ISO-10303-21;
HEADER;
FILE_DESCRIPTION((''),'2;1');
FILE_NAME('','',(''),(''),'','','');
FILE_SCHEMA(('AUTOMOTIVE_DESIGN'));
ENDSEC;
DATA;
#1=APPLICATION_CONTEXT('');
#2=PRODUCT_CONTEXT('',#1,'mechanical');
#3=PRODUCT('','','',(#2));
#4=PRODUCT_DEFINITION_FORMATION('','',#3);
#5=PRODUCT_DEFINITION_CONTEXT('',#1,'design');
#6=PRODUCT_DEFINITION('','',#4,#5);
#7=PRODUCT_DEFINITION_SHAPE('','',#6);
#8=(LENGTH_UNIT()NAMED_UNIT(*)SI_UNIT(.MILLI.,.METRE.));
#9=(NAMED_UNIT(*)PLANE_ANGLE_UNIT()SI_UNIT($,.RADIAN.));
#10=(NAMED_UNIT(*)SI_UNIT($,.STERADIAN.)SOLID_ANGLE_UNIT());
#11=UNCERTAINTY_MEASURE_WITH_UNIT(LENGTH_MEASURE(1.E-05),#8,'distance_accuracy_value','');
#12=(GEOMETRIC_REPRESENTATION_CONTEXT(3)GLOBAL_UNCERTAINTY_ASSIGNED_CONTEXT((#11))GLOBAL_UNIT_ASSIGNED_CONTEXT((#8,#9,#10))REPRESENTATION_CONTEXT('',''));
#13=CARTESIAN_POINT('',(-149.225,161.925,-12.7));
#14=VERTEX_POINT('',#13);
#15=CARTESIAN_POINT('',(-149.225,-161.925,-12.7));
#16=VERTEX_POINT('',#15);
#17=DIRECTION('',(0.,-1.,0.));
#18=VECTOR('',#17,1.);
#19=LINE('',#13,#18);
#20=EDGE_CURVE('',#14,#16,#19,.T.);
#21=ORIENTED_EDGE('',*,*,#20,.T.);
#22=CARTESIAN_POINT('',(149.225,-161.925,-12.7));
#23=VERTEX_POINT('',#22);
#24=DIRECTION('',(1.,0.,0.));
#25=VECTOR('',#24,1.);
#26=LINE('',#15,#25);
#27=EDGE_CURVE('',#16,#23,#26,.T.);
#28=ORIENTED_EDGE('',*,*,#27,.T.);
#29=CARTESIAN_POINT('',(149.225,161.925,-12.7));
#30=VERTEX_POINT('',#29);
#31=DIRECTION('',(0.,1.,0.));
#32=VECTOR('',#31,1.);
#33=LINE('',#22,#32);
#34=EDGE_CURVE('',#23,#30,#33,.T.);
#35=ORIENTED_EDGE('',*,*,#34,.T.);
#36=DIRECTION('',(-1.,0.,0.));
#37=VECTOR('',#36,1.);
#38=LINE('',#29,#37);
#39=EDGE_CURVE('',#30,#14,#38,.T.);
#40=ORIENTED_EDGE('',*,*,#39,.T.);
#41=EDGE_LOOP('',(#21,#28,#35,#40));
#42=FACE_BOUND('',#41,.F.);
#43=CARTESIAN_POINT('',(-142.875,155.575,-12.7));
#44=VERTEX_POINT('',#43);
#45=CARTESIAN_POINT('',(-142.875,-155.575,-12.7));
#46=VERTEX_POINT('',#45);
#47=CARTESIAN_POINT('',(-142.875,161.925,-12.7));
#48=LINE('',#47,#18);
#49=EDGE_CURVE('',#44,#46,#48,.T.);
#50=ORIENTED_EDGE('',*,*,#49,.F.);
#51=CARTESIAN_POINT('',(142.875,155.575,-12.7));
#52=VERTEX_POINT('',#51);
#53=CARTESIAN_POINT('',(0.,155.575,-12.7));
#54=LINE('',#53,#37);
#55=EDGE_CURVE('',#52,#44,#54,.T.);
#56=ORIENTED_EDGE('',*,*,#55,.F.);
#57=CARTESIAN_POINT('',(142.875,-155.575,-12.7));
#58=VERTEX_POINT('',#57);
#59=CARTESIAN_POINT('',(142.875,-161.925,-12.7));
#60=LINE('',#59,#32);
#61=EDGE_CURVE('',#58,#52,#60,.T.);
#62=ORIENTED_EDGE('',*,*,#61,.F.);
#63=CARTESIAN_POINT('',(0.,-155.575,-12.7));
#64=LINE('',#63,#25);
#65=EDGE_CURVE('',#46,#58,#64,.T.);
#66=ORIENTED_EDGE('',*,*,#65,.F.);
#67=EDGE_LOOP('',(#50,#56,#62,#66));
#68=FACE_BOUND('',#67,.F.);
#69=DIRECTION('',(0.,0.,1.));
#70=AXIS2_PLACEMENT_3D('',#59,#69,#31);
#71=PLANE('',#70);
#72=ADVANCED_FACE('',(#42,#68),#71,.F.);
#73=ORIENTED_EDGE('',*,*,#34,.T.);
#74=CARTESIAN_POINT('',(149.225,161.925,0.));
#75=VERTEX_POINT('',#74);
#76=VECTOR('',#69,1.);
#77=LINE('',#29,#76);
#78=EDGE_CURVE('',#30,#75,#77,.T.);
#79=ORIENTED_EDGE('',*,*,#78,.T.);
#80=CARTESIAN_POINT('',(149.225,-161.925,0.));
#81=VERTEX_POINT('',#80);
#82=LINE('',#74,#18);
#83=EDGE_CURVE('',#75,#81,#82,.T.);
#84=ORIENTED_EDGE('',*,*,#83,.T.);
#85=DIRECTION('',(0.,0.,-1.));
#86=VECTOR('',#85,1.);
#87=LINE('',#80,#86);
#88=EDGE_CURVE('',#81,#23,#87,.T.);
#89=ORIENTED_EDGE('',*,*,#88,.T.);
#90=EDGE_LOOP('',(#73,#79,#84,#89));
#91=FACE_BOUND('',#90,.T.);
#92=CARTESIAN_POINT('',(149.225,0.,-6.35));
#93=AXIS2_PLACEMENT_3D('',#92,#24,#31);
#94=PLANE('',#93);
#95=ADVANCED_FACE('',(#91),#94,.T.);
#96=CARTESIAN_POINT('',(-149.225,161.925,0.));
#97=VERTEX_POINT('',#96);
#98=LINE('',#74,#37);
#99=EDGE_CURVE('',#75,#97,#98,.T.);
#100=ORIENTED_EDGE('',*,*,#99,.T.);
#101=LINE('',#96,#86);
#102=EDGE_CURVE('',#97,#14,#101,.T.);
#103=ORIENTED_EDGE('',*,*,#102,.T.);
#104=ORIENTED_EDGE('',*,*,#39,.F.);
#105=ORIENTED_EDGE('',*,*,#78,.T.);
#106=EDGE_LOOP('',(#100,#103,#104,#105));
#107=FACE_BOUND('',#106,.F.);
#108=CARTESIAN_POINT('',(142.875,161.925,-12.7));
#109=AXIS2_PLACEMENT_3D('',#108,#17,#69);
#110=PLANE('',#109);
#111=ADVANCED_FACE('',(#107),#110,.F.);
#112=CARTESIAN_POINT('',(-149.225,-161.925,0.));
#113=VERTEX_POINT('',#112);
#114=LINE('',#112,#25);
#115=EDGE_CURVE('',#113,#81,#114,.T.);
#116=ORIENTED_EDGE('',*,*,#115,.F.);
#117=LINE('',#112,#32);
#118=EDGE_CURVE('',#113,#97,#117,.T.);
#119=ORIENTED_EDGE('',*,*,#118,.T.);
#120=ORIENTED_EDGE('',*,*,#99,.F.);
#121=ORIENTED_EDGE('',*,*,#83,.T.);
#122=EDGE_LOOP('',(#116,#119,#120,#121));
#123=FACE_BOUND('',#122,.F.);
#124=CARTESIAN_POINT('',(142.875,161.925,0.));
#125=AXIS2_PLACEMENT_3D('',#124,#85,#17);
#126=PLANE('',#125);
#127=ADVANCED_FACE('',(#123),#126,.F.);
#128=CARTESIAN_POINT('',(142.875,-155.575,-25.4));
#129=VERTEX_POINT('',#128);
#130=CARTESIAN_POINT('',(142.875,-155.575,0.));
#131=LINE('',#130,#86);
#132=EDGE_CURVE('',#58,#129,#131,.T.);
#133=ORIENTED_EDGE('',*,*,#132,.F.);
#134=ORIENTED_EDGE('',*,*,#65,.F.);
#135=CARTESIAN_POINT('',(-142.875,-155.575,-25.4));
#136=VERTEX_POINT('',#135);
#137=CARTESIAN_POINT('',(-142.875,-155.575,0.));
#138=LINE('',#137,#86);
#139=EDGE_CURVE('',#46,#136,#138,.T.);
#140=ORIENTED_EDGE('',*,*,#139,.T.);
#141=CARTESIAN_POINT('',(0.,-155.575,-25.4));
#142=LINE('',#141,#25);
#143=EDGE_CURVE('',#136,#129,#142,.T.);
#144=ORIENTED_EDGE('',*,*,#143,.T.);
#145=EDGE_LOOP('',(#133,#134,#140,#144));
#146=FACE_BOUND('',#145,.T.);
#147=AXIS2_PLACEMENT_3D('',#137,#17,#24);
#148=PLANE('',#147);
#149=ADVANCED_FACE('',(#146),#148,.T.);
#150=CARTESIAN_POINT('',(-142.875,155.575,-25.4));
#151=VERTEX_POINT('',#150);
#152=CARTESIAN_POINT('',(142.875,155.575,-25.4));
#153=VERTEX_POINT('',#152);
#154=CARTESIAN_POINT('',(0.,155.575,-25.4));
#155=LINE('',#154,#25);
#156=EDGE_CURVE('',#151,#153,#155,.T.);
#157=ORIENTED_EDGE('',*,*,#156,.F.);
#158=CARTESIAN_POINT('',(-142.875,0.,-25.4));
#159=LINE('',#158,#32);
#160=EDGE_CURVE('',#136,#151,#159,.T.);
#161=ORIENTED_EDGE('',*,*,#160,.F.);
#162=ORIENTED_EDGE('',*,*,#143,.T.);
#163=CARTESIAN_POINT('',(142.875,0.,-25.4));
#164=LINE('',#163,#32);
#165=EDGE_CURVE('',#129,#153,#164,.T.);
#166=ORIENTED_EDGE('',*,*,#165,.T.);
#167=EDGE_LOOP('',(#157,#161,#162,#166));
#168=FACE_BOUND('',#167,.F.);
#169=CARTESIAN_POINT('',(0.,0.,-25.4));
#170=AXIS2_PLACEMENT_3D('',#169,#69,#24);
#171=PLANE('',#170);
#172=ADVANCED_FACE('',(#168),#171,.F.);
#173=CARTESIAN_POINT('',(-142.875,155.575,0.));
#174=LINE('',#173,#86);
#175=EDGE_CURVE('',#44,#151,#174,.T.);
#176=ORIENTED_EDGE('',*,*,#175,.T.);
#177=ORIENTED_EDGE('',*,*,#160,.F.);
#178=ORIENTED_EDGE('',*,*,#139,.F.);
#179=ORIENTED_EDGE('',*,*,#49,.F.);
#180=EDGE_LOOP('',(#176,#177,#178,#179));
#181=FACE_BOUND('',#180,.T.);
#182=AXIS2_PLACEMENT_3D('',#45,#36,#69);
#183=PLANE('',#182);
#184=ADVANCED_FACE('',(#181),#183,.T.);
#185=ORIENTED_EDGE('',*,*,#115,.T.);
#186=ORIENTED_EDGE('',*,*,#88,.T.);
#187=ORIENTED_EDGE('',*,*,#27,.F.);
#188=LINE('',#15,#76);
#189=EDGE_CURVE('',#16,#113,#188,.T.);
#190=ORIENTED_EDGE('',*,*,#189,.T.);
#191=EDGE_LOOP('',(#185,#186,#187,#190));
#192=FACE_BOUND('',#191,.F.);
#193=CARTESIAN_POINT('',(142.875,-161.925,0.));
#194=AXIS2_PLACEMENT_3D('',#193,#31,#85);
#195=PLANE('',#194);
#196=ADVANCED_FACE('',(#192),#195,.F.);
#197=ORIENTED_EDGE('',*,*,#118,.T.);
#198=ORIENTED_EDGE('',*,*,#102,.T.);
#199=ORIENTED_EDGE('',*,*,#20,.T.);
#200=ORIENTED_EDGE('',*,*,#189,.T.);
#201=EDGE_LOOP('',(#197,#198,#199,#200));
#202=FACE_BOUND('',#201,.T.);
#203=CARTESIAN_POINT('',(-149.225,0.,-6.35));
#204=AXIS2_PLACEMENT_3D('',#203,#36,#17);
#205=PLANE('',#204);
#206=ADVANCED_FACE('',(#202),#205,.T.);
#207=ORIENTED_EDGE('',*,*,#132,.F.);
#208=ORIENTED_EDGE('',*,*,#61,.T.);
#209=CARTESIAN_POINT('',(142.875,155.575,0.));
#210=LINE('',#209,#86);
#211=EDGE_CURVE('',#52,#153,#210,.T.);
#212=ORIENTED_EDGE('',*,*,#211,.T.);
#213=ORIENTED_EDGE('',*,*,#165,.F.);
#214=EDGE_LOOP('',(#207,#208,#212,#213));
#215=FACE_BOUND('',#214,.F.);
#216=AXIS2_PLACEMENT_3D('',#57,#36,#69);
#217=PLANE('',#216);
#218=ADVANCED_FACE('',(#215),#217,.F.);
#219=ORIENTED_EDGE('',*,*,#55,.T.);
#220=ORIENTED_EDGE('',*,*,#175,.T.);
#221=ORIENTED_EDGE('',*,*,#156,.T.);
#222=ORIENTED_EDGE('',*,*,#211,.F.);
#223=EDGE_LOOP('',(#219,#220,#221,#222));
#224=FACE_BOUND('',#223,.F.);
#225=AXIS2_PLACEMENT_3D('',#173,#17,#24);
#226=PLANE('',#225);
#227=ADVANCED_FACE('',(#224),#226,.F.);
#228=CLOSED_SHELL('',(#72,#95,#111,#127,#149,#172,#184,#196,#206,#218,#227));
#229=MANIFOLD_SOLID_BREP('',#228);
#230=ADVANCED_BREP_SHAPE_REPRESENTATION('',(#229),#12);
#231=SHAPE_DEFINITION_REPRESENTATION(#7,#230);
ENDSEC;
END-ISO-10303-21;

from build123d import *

# Parameters (mm, degrees)
F0_W     = 285.75
F0_H     = 311.15
F1_DEPTH = 25.4
F3_W     = 285.75
F3_H     = 12.7
F4_DEPTH = 6.35
F2_W     = 285.75
F2_H     = 12.7
F5_DEPTH = 6.35
F8_DEPTH = 6.35
F9_DEPTH = 6.35


with BuildPart() as f1:
    # F0 (on Top) → F1 (new body)
    with BuildSketch(Plane.XY):
        Rectangle(F0_W, F0_H)
    extrude(amount=-F1_DEPTH)

    # F3 (on face) → F4 (join)
    with BuildSketch(Plane(origin=(0, 155.575, 0), x_dir=(-1, 0, 0), z_dir=(0, 1, 0))):
        with Locations((0, -6.35)):
            Rectangle(F3_W, F3_H)
    extrude(amount=F4_DEPTH)

    # F2 (on face) → F5 (join)
    with BuildSketch(Plane.XZ.offset(155.575)):
        with Locations((0, -6.35)):
            Rectangle(F2_W, F2_H)
    extrude(amount=F5_DEPTH)

    # F7 (on face) → F8 (join)
    with BuildSketch(Plane(origin=(-142.875, 0, 0), x_dir=(0, -1, 0), z_dir=(-1, 0, 0))):
        Polygon((161.925, 0), (-161.925, 0), (-161.925, -12.7), (-155.575, -12.7), (155.575, -12.7), (161.925, -12.7), align=None)
    extrude(amount=F8_DEPTH)

    # F6 (on face) → F9 (join)
    with BuildSketch(Plane.YZ.offset(142.875)):
        Polygon((161.925, 0), (-161.925, 0), (-161.925, -12.7), (-155.575, -12.7), (155.575, -12.7), (161.925, -12.7), align=None)
    extrude(amount=F9_DEPTH)


solid = f1.part
